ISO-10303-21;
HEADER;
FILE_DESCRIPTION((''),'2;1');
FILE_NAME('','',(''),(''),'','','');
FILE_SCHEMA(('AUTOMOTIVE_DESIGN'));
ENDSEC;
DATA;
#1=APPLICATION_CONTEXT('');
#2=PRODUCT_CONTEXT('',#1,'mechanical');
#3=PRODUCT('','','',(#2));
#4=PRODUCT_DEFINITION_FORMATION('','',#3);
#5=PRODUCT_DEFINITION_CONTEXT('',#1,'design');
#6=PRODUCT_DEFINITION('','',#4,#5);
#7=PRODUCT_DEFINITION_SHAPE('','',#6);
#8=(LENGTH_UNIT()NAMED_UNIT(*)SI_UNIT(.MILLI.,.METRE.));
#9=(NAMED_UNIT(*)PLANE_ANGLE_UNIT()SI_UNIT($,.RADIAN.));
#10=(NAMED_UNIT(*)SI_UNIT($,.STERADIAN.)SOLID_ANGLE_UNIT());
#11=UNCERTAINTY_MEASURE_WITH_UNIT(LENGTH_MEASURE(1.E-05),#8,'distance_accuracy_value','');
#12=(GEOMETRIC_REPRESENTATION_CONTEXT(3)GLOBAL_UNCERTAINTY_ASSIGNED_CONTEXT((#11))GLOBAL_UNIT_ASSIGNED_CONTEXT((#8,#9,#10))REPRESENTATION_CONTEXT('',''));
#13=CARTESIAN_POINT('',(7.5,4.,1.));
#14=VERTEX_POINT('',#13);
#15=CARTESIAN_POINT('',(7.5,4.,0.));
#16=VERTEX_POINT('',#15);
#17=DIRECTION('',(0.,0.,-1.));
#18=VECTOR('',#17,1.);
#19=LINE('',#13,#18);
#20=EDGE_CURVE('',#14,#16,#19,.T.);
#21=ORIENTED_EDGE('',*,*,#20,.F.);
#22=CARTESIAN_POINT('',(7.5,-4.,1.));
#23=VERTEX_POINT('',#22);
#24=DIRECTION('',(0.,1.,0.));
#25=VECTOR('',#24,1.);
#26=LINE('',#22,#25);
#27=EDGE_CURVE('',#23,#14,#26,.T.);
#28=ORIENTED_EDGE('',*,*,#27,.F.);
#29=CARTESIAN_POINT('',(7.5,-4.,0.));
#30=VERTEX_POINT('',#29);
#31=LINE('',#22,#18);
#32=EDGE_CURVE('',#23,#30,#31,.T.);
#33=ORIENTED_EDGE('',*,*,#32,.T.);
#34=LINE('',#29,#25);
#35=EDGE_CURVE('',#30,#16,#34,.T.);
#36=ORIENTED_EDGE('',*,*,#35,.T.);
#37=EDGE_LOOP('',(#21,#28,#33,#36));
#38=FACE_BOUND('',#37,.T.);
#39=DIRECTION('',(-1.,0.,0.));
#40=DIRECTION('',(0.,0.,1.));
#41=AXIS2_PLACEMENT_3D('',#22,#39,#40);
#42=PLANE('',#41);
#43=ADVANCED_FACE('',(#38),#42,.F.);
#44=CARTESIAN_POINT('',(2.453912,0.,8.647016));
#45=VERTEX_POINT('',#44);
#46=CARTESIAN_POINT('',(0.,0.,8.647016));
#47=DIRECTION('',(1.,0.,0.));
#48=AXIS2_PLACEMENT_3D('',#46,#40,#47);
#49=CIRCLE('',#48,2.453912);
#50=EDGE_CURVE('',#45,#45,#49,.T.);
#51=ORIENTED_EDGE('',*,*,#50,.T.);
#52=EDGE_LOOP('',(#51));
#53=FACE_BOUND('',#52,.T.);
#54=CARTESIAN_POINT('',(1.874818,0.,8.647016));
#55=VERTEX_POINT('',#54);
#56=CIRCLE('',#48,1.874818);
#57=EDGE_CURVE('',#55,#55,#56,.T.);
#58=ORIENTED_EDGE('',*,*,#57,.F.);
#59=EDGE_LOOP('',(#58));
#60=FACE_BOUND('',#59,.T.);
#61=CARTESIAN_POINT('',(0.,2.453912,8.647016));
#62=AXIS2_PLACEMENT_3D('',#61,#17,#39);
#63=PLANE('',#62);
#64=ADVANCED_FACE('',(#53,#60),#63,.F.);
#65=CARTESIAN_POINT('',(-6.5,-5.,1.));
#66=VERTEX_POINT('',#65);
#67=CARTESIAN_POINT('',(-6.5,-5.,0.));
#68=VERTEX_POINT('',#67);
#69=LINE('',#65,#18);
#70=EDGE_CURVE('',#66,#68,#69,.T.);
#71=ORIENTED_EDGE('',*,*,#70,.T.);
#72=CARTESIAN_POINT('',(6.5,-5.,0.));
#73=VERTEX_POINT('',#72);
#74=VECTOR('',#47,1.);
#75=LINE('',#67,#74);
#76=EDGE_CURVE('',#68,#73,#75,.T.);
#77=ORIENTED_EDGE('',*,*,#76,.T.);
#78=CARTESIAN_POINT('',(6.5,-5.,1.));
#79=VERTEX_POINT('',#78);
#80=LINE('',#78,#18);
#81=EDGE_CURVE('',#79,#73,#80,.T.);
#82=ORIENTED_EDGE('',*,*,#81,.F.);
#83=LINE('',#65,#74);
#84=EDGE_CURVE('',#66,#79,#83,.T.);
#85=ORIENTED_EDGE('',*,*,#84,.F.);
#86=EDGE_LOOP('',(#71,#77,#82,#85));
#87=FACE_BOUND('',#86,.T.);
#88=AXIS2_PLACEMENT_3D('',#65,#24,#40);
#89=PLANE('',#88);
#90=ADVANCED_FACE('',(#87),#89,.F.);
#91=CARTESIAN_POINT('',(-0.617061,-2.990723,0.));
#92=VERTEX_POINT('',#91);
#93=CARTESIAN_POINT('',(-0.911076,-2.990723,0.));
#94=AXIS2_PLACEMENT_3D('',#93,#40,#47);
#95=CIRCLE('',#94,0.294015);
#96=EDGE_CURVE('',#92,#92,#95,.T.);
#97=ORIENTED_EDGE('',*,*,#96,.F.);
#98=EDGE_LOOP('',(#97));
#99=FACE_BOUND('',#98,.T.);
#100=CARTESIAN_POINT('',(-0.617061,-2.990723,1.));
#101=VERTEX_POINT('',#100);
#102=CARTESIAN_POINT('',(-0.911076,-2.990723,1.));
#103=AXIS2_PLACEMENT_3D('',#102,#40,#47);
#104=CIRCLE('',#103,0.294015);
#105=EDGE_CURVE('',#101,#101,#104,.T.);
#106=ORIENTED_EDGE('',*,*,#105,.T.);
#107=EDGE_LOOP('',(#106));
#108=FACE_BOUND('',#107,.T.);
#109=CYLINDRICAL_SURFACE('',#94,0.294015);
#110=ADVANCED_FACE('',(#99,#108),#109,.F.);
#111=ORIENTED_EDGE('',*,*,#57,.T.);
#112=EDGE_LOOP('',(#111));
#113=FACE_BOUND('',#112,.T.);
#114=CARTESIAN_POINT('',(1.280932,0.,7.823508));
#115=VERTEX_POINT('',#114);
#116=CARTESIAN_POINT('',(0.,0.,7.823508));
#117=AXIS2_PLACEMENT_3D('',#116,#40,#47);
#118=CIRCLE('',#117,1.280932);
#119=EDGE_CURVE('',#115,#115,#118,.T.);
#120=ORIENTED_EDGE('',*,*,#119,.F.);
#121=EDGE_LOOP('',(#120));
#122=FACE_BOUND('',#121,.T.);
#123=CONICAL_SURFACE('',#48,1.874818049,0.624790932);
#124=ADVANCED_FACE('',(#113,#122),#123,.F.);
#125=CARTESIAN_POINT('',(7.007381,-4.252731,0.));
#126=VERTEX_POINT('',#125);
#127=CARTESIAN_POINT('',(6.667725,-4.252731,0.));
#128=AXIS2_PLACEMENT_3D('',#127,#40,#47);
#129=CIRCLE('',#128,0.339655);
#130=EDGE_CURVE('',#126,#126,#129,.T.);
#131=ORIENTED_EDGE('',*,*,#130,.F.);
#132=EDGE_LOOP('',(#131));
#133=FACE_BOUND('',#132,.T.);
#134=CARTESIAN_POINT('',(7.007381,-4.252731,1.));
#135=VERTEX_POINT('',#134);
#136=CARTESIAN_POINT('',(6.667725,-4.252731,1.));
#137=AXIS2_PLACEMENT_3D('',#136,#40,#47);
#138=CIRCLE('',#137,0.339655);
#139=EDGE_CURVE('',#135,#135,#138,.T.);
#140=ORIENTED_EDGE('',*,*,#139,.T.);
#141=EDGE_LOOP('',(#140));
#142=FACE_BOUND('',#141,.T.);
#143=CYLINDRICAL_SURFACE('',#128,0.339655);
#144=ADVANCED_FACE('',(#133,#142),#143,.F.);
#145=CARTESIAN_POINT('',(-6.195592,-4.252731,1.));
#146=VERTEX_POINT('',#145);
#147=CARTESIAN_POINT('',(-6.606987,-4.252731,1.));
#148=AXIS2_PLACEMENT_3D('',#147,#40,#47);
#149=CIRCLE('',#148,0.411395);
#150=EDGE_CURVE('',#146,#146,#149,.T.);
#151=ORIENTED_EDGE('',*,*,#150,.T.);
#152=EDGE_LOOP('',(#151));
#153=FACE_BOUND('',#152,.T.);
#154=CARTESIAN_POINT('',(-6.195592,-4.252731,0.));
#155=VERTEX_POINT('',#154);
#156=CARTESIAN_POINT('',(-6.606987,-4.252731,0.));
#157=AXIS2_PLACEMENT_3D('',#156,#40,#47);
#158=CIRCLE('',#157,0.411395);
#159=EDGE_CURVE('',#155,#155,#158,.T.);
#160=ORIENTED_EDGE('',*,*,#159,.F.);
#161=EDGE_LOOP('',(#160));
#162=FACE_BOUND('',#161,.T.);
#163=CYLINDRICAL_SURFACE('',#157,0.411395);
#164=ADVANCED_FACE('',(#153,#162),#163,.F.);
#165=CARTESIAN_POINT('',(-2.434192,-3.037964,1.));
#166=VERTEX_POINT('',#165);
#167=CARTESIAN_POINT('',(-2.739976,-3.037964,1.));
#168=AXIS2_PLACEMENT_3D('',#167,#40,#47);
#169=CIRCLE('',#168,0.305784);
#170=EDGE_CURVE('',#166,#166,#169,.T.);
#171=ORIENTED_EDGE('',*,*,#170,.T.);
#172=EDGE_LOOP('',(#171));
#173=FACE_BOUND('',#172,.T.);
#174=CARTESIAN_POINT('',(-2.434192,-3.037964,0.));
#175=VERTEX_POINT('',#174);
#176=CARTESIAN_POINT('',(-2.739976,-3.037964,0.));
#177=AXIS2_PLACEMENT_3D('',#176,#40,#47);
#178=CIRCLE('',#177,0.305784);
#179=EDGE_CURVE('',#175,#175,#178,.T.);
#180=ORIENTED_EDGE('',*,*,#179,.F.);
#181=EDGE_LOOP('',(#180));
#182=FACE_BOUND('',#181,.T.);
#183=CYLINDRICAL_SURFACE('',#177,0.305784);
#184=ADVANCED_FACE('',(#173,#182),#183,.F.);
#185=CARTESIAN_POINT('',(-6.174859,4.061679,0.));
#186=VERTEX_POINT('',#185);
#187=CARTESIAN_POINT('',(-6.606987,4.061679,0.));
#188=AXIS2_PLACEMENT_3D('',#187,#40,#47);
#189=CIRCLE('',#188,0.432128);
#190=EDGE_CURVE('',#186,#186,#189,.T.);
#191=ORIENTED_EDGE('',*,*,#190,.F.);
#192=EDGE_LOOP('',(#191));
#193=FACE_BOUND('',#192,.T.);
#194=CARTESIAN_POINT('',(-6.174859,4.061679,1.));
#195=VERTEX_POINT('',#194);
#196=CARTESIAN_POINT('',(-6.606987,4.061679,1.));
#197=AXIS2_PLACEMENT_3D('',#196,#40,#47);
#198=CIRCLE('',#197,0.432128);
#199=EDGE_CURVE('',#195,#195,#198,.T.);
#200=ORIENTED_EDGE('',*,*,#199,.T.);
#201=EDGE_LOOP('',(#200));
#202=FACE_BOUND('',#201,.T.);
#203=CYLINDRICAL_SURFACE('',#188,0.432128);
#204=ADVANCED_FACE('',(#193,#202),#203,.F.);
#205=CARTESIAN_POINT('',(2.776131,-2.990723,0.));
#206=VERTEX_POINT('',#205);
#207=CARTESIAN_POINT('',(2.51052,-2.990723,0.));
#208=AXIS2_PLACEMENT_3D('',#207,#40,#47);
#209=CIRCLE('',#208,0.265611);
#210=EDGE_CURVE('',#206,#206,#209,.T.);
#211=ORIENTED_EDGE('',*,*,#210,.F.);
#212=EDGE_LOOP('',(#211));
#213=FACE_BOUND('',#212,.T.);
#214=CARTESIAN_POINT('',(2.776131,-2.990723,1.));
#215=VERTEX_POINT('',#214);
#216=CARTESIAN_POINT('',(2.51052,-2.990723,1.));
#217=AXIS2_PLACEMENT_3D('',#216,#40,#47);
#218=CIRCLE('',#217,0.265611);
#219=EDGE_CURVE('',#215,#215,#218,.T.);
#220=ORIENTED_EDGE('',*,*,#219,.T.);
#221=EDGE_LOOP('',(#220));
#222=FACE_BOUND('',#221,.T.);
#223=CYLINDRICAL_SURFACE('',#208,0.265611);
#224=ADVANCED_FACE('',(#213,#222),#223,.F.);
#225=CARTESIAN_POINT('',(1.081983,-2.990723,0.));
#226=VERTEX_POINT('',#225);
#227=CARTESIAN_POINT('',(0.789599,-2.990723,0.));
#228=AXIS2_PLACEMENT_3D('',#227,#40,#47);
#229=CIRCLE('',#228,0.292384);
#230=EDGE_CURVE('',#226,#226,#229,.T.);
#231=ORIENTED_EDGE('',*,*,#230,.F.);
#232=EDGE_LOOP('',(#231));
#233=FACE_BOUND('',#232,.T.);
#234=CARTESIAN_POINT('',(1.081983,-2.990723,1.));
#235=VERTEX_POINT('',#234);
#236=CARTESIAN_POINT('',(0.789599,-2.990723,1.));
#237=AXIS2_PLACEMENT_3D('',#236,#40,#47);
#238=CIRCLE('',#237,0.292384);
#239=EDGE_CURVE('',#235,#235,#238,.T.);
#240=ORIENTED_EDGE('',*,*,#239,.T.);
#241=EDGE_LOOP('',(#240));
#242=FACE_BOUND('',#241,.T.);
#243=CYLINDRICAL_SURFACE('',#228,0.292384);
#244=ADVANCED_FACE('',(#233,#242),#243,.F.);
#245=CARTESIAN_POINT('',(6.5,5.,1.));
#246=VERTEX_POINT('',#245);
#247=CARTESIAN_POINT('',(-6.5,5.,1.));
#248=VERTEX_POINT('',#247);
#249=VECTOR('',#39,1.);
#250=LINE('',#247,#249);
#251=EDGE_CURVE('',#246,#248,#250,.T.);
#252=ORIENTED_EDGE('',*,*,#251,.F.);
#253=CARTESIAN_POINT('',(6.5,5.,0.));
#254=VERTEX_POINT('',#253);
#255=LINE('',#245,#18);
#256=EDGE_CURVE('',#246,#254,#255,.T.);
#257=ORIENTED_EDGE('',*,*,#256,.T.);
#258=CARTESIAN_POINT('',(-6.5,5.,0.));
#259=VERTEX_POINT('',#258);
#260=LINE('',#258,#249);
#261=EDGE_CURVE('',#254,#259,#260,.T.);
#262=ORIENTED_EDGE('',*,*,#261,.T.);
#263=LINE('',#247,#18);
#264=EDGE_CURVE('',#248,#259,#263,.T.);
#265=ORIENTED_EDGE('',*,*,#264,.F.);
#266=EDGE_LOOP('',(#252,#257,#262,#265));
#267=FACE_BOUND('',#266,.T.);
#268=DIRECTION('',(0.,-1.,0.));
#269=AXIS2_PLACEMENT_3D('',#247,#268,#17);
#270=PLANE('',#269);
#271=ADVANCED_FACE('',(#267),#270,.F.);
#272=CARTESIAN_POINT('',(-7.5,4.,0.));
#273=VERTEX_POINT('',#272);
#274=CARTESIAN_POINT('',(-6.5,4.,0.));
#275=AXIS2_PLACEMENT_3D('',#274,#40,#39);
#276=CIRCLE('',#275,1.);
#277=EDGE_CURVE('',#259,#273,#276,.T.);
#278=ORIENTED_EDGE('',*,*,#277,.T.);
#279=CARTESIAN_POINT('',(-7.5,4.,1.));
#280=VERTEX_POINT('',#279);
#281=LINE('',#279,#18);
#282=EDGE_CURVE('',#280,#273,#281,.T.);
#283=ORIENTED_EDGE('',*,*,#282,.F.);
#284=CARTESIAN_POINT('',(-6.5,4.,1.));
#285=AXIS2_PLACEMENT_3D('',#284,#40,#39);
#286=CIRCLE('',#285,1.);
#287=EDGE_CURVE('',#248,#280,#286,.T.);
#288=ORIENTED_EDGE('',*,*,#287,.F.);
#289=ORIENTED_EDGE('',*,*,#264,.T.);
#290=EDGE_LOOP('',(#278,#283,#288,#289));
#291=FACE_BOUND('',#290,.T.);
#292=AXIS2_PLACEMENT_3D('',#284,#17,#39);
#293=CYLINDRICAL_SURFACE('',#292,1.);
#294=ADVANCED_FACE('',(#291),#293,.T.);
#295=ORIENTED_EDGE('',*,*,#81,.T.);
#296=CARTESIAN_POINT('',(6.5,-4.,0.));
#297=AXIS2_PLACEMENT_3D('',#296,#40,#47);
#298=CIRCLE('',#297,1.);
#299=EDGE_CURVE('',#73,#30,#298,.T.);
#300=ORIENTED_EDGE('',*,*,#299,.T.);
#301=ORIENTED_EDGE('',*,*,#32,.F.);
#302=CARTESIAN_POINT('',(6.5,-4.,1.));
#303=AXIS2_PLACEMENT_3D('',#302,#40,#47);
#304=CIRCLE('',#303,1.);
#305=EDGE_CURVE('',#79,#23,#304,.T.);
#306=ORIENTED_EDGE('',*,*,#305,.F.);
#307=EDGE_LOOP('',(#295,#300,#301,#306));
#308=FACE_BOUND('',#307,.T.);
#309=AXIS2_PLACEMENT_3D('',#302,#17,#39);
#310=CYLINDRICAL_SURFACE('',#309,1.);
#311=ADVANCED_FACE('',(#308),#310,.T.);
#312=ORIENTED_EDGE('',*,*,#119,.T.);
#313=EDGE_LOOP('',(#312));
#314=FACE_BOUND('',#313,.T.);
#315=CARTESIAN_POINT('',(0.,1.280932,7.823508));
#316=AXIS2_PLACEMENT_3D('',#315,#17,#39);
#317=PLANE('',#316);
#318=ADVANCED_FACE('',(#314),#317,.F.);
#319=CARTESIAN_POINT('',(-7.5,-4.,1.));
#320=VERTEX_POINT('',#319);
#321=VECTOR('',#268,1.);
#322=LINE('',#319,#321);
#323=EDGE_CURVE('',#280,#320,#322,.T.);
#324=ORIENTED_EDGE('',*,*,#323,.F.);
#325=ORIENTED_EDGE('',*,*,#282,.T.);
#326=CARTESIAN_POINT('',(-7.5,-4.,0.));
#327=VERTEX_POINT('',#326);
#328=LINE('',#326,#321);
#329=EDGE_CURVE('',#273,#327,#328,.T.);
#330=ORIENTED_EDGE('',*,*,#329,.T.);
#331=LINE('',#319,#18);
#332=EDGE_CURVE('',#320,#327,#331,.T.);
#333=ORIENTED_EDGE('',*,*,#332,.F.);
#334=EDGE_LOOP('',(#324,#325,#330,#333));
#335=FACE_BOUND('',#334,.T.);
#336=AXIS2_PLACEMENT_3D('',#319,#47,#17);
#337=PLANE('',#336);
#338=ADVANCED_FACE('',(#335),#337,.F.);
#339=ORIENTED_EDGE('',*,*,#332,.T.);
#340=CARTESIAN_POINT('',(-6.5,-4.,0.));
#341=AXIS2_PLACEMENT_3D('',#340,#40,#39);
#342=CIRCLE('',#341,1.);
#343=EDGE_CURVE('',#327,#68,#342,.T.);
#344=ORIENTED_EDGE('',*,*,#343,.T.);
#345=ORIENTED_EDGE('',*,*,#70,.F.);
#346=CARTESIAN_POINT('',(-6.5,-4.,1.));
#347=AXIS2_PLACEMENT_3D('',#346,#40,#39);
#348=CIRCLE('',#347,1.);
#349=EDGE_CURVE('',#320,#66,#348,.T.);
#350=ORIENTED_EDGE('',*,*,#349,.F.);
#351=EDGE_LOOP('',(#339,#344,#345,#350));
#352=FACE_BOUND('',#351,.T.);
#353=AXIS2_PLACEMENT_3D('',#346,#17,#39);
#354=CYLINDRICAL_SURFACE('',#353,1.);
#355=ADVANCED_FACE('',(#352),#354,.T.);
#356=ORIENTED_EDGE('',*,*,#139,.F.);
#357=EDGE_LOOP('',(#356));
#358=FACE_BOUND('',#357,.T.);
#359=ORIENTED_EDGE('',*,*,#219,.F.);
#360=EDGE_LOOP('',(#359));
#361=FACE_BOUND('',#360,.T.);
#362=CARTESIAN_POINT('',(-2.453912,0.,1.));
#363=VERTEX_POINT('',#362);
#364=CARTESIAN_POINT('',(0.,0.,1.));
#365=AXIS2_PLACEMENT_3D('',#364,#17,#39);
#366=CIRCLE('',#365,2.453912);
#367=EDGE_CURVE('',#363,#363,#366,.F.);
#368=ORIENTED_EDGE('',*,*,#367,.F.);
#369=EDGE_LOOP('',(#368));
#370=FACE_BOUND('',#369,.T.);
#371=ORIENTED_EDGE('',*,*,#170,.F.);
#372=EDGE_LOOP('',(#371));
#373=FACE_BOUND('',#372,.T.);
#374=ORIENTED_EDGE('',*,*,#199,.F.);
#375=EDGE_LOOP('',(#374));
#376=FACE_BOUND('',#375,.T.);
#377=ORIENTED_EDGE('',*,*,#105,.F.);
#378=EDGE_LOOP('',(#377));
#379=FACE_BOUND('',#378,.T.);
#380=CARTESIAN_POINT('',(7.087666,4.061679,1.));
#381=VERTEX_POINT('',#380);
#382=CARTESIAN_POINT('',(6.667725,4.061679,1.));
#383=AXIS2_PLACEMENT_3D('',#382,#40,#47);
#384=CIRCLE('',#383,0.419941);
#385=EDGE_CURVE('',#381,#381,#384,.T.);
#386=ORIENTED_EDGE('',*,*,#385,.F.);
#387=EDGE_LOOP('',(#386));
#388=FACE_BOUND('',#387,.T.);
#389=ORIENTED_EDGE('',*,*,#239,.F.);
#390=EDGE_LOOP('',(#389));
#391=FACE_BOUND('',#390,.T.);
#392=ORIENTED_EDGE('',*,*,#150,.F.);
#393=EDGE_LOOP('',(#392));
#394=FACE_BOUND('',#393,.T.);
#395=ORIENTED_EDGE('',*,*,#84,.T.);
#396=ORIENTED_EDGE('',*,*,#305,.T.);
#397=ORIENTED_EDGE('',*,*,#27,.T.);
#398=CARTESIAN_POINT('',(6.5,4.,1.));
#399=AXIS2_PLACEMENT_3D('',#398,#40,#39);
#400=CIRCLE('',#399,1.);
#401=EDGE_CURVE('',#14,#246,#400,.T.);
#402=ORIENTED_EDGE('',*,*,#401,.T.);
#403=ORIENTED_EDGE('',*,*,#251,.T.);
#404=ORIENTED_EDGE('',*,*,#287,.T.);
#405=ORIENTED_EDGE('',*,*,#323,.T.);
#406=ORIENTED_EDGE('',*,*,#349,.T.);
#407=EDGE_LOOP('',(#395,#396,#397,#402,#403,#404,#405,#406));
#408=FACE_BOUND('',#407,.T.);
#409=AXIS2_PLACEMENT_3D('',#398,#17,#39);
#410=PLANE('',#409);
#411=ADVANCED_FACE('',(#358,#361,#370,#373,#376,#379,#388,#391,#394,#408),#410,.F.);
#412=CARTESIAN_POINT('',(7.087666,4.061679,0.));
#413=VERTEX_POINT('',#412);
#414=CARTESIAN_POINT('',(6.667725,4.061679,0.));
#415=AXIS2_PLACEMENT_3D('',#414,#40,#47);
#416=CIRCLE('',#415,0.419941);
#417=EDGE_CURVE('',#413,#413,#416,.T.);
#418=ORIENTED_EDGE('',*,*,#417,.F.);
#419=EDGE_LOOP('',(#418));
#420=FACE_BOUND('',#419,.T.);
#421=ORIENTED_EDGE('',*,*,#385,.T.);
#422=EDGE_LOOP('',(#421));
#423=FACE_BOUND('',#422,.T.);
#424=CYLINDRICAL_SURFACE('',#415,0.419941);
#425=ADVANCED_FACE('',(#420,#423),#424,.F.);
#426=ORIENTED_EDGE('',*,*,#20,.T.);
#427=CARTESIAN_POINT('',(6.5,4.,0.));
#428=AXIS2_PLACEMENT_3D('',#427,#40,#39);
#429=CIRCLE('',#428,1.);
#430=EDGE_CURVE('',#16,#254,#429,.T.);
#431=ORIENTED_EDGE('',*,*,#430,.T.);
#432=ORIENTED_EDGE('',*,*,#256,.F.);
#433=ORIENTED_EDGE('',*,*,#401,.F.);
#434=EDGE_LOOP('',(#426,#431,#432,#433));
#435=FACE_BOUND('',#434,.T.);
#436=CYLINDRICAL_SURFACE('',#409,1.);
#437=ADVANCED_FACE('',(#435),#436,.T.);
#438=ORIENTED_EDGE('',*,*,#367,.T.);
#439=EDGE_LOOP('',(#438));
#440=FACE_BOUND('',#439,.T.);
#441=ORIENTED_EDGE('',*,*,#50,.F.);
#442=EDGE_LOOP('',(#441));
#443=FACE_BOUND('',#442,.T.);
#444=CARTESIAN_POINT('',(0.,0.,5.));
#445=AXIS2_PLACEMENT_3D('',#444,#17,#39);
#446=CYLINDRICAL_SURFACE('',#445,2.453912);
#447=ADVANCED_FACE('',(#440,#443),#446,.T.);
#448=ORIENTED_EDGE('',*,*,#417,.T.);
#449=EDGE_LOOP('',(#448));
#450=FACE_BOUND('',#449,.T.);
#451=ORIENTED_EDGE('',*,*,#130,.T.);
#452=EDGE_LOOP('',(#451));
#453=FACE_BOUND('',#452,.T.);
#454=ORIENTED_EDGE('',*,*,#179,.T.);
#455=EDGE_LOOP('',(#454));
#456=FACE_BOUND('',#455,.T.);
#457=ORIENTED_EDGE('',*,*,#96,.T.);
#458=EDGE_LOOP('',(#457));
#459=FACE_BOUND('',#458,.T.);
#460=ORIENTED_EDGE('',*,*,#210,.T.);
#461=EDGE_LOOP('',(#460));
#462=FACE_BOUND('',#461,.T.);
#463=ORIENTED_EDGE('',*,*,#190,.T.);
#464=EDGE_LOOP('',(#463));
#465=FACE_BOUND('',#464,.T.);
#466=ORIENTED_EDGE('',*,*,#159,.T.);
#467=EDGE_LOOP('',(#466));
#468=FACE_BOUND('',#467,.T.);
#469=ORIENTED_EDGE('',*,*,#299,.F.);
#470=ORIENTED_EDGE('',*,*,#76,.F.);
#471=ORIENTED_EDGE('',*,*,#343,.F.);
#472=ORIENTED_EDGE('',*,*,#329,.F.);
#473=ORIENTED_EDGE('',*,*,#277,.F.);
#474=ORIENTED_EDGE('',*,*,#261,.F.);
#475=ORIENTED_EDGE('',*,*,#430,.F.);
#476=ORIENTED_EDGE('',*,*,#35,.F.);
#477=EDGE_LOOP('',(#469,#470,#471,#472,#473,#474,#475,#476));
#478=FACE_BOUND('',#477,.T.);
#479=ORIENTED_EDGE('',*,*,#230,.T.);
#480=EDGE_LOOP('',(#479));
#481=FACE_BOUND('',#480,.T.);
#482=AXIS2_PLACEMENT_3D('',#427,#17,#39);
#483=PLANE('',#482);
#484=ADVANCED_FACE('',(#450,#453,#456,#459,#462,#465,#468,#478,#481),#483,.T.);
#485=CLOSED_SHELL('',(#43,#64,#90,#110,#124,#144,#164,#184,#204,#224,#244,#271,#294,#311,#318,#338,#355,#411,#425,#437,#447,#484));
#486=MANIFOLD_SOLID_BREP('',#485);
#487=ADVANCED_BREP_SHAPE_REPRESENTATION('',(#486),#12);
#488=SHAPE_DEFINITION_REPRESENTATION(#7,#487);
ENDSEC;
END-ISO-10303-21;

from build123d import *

# Parameters (mm, degrees)
BOSS_EXTRUDE1_DEPTH = 1
SKETCH2_R           = 0.432128273
SKETCH2_R_2         = 0.419941145
SKETCH2_R_3         = 0.339655263
SKETCH2_R_4         = 0.411394619
SKETCH2_R_5         = 0.305784332
SKETCH2_R_6         = 0.294014574
SKETCH2_R_7         = 0.29238352
SKETCH2_R_8         = 0.265611248
CUT_EXTRUDE1_DEPTH  = 1
SKETCH2_5_R         = 2.453911785
BOSS_EXTRUDE2_DEPTH = 4


with BuildPart() as part:
    # Sketch1 → Boss-Extrude1 (new body)
    with BuildSketch(Plane.XY):
        with BuildLine():
            Line((-6.5, -5), (6.5, -5))
            ThreePointArc((6.5, -5), (7.207106781, -4.707106781), (7.5, -4))
            Line((7.5, -4), (7.5, 4))
            ThreePointArc((7.5, 4), (7.207106781, 4.707106781), (6.5, 5))
            Line((6.5, 5), (-6.5, 5))
            ThreePointArc((-6.5, 5), (-7.207106781, 4.707106781), (-7.5, 4))
            Line((-7.5, 4), (-7.5, -4))
            ThreePointArc((-7.5, -4), (-7.207106781, -4.707106781), (-6.5, -5))
        make_face()
    extrude(amount=BOSS_EXTRUDE1_DEPTH)

    # Sketch2 → Cut-Extrude1 (cut)
    with BuildSketch(Plane.XY.offset(1)):
        with Locations((-6.6069869, 4.061679043)):
            Circle(SKETCH2_R)
        with Locations((6.667725288, 4.061679043)):
            Circle(SKETCH2_R_2)
        with Locations((6.667725288, -4.252731437)):
            Circle(SKETCH2_R_3)
        with Locations((-6.6069869, -4.252731437)):
            Circle(SKETCH2_R_4)
        with Locations((-2.739976181, -3.037963672)):
            Circle(SKETCH2_R_5)
        with Locations((-0.911075824, -2.990722704)):
            Circle(SKETCH2_R_6)
        with Locations((0.789599047, -2.990722704)):
            Circle(SKETCH2_R_7)
        with Locations((2.510520048, -2.990722704)):
            Circle(SKETCH2_R_8)
    extrude(amount=-CUT_EXTRUDE1_DEPTH, mode=Mode.SUBTRACT)

    # Sketch2<5> → Boss-Extrude2 (add)
    with BuildSketch(Plane.XY.offset(1)):
        Circle(SKETCH2_5_R)
    extrude(amount=BOSS_EXTRUDE2_DEPTH)

    # Sketch6 → Revolve1 (revolve)
    with BuildSketch(Plane(origin=(0, 0, 0), x_dir=(0, 0, -1), z_dir=(1, 0, 0))):
        Polygon((-5, 2.453911785), (-8.647016012, 2.453911785), (-8.647016012, 1.874818049), (-7.823508006, 1.280931587), (-7.823508006, 0), (-5, 0), align=None)
    revolve(axis=Axis((0, 0, 7.823508006), (0, 0, -1)))


solid = part.part
